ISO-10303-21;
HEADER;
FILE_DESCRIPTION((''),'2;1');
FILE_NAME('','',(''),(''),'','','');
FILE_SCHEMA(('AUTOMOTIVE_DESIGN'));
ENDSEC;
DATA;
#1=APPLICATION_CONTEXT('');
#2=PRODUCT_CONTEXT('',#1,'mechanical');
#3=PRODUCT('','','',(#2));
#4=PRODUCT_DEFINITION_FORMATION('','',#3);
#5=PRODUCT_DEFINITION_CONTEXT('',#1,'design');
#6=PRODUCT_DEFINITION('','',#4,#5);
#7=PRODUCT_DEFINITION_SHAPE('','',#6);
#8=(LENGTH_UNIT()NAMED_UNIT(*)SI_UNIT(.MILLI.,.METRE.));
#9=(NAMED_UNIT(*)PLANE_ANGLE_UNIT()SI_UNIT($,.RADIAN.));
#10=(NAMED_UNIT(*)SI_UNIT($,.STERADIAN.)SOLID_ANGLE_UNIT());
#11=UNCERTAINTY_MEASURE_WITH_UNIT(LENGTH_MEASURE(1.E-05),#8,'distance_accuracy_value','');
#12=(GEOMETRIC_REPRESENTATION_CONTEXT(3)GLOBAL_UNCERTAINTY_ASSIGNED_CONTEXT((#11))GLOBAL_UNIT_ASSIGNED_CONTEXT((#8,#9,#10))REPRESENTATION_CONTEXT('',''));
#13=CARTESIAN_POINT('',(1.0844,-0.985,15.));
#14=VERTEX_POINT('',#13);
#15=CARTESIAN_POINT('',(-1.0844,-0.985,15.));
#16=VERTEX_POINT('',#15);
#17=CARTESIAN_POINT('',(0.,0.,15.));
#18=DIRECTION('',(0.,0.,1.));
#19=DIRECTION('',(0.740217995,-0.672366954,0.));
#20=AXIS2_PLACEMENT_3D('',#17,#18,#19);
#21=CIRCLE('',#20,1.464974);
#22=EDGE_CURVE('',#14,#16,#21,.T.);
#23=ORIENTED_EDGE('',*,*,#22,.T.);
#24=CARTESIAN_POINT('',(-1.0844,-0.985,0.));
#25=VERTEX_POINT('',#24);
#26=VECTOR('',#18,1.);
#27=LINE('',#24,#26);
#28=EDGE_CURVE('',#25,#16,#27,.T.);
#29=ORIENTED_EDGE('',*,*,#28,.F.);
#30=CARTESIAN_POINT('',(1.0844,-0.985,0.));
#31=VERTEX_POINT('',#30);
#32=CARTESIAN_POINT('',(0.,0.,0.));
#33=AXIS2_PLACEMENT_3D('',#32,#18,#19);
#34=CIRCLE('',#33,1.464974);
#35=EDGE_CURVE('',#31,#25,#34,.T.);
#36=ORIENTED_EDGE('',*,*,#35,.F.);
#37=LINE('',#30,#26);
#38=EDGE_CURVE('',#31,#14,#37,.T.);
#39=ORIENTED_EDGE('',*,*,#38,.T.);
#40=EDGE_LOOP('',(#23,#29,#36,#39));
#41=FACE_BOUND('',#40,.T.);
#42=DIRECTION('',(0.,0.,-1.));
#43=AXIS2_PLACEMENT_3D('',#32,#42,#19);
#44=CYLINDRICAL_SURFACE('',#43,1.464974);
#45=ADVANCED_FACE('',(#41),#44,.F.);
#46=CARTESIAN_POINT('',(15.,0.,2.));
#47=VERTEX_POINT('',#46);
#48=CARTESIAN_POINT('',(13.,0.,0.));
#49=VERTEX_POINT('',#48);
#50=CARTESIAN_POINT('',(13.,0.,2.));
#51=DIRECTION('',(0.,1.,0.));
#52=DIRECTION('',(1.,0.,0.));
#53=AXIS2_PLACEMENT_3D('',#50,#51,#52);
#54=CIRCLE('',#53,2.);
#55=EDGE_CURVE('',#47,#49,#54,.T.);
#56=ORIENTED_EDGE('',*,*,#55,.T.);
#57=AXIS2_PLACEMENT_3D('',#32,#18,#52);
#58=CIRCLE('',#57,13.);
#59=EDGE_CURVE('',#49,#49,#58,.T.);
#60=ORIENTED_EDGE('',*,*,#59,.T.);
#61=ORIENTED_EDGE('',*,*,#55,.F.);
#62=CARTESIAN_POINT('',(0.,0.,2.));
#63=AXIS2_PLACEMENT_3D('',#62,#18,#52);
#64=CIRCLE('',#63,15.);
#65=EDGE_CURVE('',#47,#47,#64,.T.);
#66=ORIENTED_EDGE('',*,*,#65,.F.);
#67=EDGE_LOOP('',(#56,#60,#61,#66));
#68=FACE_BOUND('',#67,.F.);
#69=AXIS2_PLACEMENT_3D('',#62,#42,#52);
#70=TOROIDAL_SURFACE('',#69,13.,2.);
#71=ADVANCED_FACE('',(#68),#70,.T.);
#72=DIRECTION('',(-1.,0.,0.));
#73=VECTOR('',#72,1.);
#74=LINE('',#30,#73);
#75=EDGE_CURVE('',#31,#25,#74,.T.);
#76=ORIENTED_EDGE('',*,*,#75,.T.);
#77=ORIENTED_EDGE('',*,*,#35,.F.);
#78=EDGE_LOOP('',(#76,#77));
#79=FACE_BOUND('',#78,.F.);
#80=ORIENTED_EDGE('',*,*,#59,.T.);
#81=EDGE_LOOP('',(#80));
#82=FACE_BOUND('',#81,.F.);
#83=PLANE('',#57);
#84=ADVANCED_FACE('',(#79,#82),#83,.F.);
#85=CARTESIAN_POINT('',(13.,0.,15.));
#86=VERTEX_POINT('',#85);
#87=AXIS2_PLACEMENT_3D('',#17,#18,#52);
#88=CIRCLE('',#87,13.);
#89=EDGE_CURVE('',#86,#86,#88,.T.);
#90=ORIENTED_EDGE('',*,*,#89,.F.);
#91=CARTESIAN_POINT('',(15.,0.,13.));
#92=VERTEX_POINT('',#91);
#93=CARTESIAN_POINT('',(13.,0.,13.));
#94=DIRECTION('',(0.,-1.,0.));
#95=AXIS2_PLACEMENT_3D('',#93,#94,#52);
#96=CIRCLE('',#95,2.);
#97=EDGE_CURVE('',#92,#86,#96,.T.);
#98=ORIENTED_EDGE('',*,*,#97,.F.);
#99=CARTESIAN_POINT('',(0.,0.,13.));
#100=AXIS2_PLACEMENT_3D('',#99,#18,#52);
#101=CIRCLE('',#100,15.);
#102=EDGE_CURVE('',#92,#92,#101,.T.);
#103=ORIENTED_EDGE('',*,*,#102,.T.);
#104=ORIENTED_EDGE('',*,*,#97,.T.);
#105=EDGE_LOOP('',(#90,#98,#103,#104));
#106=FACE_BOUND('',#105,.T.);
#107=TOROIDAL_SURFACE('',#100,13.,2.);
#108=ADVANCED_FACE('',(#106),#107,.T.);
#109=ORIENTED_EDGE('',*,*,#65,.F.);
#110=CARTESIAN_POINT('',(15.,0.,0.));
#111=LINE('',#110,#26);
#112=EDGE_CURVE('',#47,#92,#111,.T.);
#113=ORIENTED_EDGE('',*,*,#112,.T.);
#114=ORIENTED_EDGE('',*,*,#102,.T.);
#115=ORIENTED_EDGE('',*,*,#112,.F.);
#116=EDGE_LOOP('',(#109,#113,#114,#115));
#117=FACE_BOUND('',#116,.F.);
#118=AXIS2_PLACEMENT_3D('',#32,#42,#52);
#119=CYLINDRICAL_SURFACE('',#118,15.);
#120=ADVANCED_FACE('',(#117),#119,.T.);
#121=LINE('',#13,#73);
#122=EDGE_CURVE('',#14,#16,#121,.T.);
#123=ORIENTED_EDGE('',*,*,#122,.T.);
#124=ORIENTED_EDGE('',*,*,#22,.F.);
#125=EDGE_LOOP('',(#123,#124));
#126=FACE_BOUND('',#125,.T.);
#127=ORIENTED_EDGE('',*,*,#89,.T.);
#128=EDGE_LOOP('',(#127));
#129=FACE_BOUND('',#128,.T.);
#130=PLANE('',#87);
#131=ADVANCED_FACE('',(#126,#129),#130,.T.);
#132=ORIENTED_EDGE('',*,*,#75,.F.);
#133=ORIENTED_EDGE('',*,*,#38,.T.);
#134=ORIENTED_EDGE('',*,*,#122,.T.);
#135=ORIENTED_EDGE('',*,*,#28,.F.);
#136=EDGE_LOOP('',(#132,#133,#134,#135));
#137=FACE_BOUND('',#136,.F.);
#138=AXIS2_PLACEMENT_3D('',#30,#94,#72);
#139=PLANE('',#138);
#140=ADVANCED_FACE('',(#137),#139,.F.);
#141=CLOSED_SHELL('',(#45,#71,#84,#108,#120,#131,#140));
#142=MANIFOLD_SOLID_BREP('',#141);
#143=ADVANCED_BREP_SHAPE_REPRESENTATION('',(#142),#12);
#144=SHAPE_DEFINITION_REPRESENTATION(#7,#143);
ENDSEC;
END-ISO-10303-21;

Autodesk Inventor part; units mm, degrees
ref_plane "YZ Plane" through (0, 0, 0) normal (1, 0, 0) x (0, 1, 0)
ref_plane "XZ Plane" through (0, 0, 0) normal (0, 1, 0) x (-1, 0, 0)
ref_plane "XY Plane" through (0, 0, 0) normal (0, 0, 1) x (1, 0, 0)
sketch "Sketch1" plane through (0, 0, 0) normal (0, 0, 1) x (1, 0, 0)
  circle A0 centre (0, 0) radius 15
  arc A1 (1.0844, -0.985) -> (-1.0844, -0.985) centre (0, 0) ccw
  line L0 (1.0844, -0.985) -> (-1.0844, -0.985)
  dimension "d0" = 30
  dimension "d1" = 2.93
  dimension "d2" = 2.45
extrude "Extrusion1" add sketch "Sketch1" along normal blind 15
fillet "Fillet1" radius 2 2 edges at (-15, 0, 15) (-15, 0, 0)
